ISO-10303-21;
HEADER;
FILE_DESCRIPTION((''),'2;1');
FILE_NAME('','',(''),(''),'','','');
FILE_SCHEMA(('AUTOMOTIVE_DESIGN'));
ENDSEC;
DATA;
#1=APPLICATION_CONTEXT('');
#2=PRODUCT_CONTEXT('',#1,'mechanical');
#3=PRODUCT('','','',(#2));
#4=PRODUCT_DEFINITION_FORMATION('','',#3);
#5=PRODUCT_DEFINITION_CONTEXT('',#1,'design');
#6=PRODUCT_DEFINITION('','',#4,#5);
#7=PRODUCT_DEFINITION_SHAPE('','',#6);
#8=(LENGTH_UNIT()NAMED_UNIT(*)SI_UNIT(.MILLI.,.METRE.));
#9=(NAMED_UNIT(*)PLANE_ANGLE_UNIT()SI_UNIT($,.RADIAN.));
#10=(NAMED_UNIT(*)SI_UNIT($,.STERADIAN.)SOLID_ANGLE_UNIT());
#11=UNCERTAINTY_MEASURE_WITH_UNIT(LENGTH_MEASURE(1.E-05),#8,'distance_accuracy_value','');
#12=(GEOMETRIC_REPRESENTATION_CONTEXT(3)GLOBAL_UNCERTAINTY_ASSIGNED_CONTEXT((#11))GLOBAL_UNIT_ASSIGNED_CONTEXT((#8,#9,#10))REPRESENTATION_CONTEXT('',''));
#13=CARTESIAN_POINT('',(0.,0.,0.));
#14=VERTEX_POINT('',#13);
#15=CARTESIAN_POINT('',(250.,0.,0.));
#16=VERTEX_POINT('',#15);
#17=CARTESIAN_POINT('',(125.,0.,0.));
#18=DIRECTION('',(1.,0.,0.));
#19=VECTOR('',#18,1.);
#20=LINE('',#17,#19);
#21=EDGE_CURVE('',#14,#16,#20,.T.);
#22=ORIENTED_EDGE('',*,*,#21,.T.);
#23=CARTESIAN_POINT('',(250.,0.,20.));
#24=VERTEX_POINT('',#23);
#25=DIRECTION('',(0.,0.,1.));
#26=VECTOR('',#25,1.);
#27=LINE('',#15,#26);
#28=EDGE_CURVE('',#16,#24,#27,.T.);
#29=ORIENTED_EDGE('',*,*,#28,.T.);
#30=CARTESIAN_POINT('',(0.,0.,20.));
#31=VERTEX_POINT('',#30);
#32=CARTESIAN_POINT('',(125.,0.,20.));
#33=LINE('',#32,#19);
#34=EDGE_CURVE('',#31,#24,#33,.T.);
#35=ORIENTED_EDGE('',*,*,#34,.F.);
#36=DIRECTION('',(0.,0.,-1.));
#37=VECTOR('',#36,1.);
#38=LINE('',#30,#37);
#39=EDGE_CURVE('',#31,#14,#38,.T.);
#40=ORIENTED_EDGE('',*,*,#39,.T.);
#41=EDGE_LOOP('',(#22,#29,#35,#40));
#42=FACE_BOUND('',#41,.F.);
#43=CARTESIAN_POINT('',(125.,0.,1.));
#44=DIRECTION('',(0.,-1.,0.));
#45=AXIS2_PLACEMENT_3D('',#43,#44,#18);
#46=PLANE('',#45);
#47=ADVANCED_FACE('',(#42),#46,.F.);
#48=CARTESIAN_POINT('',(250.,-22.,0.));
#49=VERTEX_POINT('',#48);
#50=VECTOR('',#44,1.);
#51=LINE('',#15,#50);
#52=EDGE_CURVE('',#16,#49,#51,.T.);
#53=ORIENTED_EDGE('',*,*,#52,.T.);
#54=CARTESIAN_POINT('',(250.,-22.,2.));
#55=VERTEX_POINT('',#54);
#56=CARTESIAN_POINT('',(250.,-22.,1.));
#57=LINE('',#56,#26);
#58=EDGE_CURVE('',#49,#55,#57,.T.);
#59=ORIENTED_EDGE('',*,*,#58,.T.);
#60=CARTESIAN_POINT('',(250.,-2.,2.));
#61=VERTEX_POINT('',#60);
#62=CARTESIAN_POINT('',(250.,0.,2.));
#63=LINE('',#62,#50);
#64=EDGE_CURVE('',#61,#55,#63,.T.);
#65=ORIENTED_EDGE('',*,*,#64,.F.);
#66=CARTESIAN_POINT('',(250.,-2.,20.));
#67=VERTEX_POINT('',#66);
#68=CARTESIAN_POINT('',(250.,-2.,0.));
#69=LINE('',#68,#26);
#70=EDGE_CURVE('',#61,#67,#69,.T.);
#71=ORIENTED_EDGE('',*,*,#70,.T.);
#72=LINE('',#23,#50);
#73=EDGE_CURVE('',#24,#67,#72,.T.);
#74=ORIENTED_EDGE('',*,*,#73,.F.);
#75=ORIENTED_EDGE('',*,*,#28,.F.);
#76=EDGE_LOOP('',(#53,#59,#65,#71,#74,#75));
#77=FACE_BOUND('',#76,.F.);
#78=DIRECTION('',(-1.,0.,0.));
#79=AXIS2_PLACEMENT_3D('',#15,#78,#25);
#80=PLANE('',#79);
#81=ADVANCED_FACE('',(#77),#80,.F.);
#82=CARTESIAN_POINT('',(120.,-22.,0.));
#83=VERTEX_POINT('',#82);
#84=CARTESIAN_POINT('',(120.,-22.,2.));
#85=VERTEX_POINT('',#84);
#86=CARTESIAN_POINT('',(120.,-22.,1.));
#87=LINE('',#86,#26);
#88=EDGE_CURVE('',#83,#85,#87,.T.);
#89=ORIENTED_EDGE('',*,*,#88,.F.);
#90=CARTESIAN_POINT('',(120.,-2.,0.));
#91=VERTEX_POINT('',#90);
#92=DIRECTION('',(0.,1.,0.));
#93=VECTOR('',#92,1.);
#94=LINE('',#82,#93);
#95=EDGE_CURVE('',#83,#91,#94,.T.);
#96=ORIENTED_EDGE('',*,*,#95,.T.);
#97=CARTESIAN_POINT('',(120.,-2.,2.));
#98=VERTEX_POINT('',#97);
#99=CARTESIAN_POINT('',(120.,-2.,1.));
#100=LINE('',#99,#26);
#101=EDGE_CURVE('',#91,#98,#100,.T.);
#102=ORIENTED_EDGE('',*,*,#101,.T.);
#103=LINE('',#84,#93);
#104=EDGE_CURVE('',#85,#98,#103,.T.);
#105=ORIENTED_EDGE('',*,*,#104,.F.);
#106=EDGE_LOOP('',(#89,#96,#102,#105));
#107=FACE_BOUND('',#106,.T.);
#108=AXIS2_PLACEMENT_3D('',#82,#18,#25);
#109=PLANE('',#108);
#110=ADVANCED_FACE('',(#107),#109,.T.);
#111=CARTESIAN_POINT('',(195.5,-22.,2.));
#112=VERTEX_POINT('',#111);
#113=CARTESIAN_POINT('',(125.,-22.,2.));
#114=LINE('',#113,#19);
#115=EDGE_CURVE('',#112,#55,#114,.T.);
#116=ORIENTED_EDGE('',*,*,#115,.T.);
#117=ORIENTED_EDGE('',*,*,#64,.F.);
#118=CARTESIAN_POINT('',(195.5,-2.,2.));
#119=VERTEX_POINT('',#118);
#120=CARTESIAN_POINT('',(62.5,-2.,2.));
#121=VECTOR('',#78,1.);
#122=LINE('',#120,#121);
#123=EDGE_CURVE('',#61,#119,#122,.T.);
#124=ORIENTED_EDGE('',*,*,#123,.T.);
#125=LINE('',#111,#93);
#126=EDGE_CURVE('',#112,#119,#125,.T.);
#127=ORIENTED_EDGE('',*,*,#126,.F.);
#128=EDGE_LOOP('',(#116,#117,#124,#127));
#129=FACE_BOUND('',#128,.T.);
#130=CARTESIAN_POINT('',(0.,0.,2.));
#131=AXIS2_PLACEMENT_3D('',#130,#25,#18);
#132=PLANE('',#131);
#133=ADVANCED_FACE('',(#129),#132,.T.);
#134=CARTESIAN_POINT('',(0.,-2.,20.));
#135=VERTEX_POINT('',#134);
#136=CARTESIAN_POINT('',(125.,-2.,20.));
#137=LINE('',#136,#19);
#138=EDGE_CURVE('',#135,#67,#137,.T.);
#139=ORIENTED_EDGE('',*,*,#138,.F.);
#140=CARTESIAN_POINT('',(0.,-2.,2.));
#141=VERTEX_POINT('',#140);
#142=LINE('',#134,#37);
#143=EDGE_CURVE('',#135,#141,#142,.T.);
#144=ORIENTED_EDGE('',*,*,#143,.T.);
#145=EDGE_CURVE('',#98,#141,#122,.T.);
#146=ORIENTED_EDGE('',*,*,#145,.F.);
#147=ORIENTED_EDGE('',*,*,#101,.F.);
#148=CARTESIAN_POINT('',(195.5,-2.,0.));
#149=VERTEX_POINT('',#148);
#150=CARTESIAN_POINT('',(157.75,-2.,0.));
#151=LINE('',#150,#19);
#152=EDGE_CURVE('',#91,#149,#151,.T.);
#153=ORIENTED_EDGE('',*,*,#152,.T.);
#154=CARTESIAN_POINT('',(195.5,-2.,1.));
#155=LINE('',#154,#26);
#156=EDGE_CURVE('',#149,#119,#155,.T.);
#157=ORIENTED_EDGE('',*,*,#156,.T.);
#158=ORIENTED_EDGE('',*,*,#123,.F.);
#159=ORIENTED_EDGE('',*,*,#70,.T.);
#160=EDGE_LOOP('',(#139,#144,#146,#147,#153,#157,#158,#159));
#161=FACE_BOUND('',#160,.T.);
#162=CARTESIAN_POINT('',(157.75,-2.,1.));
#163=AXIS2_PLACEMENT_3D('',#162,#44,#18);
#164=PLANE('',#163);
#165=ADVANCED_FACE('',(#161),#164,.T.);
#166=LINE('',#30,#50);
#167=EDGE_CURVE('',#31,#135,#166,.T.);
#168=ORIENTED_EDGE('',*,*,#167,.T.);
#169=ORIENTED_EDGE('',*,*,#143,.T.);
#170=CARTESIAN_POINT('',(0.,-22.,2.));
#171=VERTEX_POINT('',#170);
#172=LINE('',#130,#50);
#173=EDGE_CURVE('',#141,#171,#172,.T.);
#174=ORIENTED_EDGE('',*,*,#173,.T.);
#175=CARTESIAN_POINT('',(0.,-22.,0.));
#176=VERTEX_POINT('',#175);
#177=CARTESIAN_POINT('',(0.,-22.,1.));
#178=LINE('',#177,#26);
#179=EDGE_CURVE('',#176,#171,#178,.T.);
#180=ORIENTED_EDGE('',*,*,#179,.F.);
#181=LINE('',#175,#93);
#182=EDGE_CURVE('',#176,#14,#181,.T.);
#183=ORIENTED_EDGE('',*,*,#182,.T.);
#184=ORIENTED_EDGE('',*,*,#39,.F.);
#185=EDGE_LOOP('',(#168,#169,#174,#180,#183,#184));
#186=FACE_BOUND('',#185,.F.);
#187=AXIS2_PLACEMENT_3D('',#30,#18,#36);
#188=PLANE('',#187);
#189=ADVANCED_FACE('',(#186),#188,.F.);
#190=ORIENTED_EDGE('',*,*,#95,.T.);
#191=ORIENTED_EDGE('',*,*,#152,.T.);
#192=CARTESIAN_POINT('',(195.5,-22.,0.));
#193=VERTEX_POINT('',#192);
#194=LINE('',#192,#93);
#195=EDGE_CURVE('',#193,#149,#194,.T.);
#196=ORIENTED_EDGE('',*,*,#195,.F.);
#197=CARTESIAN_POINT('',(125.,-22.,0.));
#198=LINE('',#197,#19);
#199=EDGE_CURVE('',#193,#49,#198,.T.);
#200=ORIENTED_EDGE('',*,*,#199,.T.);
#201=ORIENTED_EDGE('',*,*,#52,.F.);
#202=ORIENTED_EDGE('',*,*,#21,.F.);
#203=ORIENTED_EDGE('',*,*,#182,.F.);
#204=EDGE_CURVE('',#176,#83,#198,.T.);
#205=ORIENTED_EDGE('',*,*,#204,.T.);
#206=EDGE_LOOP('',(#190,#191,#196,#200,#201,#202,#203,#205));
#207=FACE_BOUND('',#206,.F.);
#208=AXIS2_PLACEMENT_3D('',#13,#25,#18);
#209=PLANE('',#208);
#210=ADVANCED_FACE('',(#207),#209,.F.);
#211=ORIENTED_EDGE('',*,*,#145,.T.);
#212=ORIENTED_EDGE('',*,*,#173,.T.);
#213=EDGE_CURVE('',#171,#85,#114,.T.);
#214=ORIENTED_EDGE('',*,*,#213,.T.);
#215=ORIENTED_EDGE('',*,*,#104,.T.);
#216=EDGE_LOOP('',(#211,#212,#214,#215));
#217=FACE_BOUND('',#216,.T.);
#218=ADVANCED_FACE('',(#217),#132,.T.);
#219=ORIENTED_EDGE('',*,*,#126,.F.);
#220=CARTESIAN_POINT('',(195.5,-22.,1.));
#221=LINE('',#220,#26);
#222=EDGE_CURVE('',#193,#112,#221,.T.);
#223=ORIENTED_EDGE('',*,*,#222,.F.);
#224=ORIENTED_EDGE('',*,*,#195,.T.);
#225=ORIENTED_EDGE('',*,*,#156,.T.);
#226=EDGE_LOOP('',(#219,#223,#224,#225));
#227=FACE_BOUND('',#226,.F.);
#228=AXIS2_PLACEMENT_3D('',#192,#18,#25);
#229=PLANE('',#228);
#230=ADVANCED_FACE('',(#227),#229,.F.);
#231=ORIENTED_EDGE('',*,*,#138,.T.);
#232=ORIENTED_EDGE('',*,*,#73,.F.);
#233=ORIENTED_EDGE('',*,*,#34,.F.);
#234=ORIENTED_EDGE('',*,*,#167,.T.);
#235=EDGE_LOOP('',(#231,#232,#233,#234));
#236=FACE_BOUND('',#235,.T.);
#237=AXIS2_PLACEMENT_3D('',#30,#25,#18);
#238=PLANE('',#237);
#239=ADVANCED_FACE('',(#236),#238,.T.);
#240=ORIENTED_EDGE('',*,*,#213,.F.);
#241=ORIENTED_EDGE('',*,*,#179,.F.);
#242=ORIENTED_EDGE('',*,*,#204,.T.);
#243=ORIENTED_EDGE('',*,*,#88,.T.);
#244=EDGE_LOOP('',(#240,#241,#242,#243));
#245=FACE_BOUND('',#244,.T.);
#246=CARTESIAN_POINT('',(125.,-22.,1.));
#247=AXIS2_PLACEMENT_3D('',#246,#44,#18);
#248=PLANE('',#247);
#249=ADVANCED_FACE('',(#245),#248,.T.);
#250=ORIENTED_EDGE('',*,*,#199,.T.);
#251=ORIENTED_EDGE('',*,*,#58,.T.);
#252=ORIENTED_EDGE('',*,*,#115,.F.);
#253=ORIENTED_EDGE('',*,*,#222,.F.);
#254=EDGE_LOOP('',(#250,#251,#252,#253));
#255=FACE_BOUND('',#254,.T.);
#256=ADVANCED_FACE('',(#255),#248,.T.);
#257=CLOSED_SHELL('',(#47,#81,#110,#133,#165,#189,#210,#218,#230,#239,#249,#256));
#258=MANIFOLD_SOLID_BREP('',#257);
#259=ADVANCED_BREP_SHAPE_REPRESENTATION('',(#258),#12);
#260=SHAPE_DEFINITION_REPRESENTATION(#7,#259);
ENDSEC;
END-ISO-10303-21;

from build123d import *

# Parameters (mm, degrees)
F0_W     = 250
F0_H     = 2
F0_H_2   = 18
F1_DEPTH = 2
F2_DEPTH = 22
F3_W     = 75.5
F3_H     = 2
F4_DEPTH = 20


with BuildPart() as f1:
    # F0 (on Front) → F1 (new body)
    with BuildSketch(Plane.XZ):
        with Locations((125, 1)):
            Rectangle(F0_W, F0_H)
        with Locations((125, 11)):
            Rectangle(F0_W, F0_H_2)
    extrude(amount=F1_DEPTH)

    # F0 (on Front) → F2 (join)
    with BuildSketch(Plane.XZ):
        with Locations((125, 1)):
            Rectangle(F0_W, F0_H)
    extrude(amount=F2_DEPTH)

    # F3 (on face) → F4 (cut, through all)
    with BuildSketch(Plane.XZ.offset(22)):
        with Locations((157.75, 1)):
            Rectangle(F3_W, F3_H)
    extrude(amount=-F4_DEPTH, mode=Mode.SUBTRACT)


solid = f1.part
